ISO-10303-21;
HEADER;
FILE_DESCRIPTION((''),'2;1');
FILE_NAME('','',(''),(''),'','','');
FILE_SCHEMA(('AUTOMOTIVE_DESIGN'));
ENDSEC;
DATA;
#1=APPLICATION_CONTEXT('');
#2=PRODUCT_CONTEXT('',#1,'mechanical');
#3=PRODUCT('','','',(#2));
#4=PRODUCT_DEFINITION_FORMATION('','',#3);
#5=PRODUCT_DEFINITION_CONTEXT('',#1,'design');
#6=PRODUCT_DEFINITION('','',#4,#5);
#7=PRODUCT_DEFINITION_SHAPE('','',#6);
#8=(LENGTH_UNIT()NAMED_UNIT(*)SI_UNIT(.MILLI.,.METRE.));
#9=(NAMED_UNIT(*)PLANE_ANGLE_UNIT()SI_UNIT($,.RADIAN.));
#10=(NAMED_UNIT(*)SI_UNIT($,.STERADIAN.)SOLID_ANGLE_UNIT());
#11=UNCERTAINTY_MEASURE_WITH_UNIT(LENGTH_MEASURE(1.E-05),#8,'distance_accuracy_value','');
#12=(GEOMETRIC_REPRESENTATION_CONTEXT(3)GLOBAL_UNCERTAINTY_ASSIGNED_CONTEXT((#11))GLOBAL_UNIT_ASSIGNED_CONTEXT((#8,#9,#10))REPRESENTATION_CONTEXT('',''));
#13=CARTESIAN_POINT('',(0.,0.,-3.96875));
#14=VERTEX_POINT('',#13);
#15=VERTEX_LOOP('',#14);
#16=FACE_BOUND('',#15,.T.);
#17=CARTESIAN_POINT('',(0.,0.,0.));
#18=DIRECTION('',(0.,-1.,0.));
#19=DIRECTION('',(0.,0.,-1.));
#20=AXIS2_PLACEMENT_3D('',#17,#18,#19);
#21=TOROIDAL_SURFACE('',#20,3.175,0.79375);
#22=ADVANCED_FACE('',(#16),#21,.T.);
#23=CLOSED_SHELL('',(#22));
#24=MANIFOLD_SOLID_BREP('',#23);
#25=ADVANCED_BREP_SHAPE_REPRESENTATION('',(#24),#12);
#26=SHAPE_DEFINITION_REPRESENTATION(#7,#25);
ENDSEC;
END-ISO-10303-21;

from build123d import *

# Parameters (mm, degrees)
SKETCH1_R = 0.79375


with BuildPart() as part:
    # Sketch1 → AS568-008 (revolve)
    with BuildSketch(Plane.XY, mode=Mode.PRIVATE) as as568_008_sk:
        with Locations((3.175, 0)):
            Circle(SKETCH1_R)
    revolve(as568_008_sk.sketch.rotate(Axis((0, 0, 0), (0, 1, 0)), 90), axis=Axis((0, 0, 0), (0, 1, 0)))


solid = part.part
